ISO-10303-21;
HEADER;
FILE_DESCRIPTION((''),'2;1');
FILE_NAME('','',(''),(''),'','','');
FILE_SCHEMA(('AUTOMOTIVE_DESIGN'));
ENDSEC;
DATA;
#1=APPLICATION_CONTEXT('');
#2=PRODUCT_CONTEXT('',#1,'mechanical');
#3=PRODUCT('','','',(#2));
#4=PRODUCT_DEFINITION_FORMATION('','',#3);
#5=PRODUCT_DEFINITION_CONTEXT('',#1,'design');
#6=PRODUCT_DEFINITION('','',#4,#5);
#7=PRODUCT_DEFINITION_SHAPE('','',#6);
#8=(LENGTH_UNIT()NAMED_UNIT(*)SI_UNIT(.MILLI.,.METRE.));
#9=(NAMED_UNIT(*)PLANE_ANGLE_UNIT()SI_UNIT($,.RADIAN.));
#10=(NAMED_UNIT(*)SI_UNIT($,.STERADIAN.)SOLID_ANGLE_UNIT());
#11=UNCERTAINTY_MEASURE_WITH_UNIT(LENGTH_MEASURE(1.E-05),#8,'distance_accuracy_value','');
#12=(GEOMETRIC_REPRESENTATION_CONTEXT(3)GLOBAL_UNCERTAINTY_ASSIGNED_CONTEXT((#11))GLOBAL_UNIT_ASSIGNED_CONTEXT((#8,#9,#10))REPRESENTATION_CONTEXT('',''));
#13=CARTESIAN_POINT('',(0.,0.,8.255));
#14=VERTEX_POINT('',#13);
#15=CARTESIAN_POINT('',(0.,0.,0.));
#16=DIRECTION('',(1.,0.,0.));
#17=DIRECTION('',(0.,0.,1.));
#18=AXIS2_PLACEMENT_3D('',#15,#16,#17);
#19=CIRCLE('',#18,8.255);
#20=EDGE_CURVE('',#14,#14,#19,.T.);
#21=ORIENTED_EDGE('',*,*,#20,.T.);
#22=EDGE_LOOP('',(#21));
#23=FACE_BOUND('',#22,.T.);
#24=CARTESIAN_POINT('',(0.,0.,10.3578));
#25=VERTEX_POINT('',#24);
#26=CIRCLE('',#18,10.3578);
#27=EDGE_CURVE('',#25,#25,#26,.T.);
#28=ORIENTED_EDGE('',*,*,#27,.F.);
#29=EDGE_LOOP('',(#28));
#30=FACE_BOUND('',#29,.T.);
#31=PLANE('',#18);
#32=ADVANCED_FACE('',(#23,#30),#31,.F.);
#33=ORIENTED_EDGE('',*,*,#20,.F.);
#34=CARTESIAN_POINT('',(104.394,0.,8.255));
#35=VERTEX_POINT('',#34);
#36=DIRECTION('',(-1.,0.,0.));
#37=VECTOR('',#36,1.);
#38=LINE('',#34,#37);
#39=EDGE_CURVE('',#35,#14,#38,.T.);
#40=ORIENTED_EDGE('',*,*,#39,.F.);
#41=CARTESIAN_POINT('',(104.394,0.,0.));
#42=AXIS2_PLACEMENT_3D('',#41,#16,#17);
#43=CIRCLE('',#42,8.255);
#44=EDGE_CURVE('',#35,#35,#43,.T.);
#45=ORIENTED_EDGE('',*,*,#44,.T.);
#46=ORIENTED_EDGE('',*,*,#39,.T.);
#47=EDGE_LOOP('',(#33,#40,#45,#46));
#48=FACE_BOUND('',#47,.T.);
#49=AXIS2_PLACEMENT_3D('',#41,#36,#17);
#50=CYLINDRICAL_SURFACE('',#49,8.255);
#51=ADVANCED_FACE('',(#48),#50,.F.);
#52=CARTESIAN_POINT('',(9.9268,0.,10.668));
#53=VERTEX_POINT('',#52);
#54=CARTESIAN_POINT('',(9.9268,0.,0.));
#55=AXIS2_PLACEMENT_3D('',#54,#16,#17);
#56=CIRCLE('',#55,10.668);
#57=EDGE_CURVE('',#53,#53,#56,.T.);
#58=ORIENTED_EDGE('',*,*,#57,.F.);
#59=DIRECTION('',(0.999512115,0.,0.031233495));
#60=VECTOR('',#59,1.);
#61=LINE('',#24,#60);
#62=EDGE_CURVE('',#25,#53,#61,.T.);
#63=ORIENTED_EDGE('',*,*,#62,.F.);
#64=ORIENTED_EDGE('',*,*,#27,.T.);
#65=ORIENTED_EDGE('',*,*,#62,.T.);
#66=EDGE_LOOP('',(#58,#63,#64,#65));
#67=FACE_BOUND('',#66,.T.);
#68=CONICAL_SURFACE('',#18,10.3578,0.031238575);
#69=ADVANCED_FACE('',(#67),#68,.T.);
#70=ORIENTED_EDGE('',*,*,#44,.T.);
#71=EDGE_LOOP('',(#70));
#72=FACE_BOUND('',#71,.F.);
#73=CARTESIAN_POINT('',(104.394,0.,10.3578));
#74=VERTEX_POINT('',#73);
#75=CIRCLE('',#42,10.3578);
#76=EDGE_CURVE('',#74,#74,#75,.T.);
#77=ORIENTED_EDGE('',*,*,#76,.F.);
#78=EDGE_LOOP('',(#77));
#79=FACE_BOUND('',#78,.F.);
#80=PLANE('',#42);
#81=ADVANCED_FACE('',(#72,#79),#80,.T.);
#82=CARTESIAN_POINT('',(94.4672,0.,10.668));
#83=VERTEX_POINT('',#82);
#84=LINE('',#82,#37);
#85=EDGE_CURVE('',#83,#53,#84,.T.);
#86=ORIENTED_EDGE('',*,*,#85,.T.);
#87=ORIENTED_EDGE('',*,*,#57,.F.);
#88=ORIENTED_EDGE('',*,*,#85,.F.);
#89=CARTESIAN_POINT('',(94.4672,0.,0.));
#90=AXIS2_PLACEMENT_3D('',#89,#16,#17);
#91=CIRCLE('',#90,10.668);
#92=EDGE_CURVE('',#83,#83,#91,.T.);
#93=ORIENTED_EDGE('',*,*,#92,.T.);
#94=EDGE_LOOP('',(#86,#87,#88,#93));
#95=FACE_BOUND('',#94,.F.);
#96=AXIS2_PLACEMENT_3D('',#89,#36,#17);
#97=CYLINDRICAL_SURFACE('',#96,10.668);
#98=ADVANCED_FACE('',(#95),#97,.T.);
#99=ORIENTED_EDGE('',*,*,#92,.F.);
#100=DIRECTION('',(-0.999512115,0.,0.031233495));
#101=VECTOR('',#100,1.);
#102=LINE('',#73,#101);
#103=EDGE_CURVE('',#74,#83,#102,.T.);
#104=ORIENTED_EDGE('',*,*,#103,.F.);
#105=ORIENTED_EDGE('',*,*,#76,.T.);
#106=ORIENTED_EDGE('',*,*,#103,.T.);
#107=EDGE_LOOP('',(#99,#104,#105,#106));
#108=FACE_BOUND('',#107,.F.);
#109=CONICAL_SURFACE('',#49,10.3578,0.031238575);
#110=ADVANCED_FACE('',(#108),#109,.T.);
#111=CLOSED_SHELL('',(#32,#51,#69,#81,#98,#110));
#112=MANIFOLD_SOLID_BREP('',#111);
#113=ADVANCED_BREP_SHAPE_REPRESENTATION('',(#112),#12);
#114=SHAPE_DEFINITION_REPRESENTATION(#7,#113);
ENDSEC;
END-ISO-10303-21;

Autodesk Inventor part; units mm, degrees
ref_plane "YZ Plane" through (0, 0, 0) normal (1, 0, 0) x (0, 1, 0)
ref_plane "XZ Plane" through (0, 0, 0) normal (0, 1, 0) x (-1, 0, 0)
ref_plane "XY Plane" through (0, 0, 0) normal (0, 0, 1) x (1, 0, 0)
sketch "Sketch1" plane through (0, 0, 0) normal (0, 1, 0) x (-1, 0, 0)
  line L0 (0, 0) -> (-104.394, 0)
  line L1 (-104.394, 0) -> (-104.394, 8.255) construction
  line L2 (-104.394, 8.255) -> (-104.394, 10.3578)
  line L3 (-104.394, 10.3578) -> (-94.4672, 10.668)
  line L4 (-94.4672, 10.668) -> (-9.9268, 10.668)
  line L5 (-52.197, 0) -> (-52.197, 10.668) construction
  line L6 (-104.394, 8.255) -> (0, 8.255)
  line L7 (0, 0) -> (0, 8.255) construction
  line L8 (0, 8.255) -> (0, 10.3578)
  line L9 (0, 10.3578) -> (-9.9268, 10.668)
  line L10 (-90.838, 10.7814) -> (-90.838, 0) construction
  line L11 (-13.556, 10.7814) -> (-13.556, 0) construction
  line L12 (-94.4672, 10.668) -> (-90.838, 10.7814) construction
  line L13 (-94.4672, 10.668) -> (-94.4672, 0) construction
  line L14 (-9.9268, 10.668) -> (-13.556, 10.7814) construction
  line L15 (-9.9268, 10.668) -> (-9.9268, 0) construction
  dimension "d0" = 21.336
  dimension "d1" = 1.79
  dimension "d2" = 16.51
  dimension "d3" = 104.394
  dimension "d4" = 13.556
  dimension "d5" = 21.5628
revolve "Revolution1" add sketch "Sketch1" angle 360 about axis through (0, 0, 0) along (1, 0, 0)
thread "Thread1" size "1/2" designation "1/2 - 14 NPT" standard "NPT" full length
thread "Thread2" size "1/2" designation "1/2 - 14 NPT" standard "NPT" full length
equation "\"d0\" = OD"
equation "\"d2\" = ID"
equation "\"d3\" = L"
equation "\"d4\" = L2"
equation "\"d5\" = D2"
equation "\"OD\" = 21.336"
equation "\"t\" = 2.413"
equation "\"L\" = PL"
equation "\"L4\" = 19.8501"
equation "\"ID\" = 16.51"
equation "\"PL\" = 104.394"
equation "\"D2\" = 21.56282"
equation "\"L2\" = 13.55598"
equation "\"Size_Designation\" = 1.2345"
equation "\"PLmin\" = 2 * L2"
properties material "Steel, Wrought"
